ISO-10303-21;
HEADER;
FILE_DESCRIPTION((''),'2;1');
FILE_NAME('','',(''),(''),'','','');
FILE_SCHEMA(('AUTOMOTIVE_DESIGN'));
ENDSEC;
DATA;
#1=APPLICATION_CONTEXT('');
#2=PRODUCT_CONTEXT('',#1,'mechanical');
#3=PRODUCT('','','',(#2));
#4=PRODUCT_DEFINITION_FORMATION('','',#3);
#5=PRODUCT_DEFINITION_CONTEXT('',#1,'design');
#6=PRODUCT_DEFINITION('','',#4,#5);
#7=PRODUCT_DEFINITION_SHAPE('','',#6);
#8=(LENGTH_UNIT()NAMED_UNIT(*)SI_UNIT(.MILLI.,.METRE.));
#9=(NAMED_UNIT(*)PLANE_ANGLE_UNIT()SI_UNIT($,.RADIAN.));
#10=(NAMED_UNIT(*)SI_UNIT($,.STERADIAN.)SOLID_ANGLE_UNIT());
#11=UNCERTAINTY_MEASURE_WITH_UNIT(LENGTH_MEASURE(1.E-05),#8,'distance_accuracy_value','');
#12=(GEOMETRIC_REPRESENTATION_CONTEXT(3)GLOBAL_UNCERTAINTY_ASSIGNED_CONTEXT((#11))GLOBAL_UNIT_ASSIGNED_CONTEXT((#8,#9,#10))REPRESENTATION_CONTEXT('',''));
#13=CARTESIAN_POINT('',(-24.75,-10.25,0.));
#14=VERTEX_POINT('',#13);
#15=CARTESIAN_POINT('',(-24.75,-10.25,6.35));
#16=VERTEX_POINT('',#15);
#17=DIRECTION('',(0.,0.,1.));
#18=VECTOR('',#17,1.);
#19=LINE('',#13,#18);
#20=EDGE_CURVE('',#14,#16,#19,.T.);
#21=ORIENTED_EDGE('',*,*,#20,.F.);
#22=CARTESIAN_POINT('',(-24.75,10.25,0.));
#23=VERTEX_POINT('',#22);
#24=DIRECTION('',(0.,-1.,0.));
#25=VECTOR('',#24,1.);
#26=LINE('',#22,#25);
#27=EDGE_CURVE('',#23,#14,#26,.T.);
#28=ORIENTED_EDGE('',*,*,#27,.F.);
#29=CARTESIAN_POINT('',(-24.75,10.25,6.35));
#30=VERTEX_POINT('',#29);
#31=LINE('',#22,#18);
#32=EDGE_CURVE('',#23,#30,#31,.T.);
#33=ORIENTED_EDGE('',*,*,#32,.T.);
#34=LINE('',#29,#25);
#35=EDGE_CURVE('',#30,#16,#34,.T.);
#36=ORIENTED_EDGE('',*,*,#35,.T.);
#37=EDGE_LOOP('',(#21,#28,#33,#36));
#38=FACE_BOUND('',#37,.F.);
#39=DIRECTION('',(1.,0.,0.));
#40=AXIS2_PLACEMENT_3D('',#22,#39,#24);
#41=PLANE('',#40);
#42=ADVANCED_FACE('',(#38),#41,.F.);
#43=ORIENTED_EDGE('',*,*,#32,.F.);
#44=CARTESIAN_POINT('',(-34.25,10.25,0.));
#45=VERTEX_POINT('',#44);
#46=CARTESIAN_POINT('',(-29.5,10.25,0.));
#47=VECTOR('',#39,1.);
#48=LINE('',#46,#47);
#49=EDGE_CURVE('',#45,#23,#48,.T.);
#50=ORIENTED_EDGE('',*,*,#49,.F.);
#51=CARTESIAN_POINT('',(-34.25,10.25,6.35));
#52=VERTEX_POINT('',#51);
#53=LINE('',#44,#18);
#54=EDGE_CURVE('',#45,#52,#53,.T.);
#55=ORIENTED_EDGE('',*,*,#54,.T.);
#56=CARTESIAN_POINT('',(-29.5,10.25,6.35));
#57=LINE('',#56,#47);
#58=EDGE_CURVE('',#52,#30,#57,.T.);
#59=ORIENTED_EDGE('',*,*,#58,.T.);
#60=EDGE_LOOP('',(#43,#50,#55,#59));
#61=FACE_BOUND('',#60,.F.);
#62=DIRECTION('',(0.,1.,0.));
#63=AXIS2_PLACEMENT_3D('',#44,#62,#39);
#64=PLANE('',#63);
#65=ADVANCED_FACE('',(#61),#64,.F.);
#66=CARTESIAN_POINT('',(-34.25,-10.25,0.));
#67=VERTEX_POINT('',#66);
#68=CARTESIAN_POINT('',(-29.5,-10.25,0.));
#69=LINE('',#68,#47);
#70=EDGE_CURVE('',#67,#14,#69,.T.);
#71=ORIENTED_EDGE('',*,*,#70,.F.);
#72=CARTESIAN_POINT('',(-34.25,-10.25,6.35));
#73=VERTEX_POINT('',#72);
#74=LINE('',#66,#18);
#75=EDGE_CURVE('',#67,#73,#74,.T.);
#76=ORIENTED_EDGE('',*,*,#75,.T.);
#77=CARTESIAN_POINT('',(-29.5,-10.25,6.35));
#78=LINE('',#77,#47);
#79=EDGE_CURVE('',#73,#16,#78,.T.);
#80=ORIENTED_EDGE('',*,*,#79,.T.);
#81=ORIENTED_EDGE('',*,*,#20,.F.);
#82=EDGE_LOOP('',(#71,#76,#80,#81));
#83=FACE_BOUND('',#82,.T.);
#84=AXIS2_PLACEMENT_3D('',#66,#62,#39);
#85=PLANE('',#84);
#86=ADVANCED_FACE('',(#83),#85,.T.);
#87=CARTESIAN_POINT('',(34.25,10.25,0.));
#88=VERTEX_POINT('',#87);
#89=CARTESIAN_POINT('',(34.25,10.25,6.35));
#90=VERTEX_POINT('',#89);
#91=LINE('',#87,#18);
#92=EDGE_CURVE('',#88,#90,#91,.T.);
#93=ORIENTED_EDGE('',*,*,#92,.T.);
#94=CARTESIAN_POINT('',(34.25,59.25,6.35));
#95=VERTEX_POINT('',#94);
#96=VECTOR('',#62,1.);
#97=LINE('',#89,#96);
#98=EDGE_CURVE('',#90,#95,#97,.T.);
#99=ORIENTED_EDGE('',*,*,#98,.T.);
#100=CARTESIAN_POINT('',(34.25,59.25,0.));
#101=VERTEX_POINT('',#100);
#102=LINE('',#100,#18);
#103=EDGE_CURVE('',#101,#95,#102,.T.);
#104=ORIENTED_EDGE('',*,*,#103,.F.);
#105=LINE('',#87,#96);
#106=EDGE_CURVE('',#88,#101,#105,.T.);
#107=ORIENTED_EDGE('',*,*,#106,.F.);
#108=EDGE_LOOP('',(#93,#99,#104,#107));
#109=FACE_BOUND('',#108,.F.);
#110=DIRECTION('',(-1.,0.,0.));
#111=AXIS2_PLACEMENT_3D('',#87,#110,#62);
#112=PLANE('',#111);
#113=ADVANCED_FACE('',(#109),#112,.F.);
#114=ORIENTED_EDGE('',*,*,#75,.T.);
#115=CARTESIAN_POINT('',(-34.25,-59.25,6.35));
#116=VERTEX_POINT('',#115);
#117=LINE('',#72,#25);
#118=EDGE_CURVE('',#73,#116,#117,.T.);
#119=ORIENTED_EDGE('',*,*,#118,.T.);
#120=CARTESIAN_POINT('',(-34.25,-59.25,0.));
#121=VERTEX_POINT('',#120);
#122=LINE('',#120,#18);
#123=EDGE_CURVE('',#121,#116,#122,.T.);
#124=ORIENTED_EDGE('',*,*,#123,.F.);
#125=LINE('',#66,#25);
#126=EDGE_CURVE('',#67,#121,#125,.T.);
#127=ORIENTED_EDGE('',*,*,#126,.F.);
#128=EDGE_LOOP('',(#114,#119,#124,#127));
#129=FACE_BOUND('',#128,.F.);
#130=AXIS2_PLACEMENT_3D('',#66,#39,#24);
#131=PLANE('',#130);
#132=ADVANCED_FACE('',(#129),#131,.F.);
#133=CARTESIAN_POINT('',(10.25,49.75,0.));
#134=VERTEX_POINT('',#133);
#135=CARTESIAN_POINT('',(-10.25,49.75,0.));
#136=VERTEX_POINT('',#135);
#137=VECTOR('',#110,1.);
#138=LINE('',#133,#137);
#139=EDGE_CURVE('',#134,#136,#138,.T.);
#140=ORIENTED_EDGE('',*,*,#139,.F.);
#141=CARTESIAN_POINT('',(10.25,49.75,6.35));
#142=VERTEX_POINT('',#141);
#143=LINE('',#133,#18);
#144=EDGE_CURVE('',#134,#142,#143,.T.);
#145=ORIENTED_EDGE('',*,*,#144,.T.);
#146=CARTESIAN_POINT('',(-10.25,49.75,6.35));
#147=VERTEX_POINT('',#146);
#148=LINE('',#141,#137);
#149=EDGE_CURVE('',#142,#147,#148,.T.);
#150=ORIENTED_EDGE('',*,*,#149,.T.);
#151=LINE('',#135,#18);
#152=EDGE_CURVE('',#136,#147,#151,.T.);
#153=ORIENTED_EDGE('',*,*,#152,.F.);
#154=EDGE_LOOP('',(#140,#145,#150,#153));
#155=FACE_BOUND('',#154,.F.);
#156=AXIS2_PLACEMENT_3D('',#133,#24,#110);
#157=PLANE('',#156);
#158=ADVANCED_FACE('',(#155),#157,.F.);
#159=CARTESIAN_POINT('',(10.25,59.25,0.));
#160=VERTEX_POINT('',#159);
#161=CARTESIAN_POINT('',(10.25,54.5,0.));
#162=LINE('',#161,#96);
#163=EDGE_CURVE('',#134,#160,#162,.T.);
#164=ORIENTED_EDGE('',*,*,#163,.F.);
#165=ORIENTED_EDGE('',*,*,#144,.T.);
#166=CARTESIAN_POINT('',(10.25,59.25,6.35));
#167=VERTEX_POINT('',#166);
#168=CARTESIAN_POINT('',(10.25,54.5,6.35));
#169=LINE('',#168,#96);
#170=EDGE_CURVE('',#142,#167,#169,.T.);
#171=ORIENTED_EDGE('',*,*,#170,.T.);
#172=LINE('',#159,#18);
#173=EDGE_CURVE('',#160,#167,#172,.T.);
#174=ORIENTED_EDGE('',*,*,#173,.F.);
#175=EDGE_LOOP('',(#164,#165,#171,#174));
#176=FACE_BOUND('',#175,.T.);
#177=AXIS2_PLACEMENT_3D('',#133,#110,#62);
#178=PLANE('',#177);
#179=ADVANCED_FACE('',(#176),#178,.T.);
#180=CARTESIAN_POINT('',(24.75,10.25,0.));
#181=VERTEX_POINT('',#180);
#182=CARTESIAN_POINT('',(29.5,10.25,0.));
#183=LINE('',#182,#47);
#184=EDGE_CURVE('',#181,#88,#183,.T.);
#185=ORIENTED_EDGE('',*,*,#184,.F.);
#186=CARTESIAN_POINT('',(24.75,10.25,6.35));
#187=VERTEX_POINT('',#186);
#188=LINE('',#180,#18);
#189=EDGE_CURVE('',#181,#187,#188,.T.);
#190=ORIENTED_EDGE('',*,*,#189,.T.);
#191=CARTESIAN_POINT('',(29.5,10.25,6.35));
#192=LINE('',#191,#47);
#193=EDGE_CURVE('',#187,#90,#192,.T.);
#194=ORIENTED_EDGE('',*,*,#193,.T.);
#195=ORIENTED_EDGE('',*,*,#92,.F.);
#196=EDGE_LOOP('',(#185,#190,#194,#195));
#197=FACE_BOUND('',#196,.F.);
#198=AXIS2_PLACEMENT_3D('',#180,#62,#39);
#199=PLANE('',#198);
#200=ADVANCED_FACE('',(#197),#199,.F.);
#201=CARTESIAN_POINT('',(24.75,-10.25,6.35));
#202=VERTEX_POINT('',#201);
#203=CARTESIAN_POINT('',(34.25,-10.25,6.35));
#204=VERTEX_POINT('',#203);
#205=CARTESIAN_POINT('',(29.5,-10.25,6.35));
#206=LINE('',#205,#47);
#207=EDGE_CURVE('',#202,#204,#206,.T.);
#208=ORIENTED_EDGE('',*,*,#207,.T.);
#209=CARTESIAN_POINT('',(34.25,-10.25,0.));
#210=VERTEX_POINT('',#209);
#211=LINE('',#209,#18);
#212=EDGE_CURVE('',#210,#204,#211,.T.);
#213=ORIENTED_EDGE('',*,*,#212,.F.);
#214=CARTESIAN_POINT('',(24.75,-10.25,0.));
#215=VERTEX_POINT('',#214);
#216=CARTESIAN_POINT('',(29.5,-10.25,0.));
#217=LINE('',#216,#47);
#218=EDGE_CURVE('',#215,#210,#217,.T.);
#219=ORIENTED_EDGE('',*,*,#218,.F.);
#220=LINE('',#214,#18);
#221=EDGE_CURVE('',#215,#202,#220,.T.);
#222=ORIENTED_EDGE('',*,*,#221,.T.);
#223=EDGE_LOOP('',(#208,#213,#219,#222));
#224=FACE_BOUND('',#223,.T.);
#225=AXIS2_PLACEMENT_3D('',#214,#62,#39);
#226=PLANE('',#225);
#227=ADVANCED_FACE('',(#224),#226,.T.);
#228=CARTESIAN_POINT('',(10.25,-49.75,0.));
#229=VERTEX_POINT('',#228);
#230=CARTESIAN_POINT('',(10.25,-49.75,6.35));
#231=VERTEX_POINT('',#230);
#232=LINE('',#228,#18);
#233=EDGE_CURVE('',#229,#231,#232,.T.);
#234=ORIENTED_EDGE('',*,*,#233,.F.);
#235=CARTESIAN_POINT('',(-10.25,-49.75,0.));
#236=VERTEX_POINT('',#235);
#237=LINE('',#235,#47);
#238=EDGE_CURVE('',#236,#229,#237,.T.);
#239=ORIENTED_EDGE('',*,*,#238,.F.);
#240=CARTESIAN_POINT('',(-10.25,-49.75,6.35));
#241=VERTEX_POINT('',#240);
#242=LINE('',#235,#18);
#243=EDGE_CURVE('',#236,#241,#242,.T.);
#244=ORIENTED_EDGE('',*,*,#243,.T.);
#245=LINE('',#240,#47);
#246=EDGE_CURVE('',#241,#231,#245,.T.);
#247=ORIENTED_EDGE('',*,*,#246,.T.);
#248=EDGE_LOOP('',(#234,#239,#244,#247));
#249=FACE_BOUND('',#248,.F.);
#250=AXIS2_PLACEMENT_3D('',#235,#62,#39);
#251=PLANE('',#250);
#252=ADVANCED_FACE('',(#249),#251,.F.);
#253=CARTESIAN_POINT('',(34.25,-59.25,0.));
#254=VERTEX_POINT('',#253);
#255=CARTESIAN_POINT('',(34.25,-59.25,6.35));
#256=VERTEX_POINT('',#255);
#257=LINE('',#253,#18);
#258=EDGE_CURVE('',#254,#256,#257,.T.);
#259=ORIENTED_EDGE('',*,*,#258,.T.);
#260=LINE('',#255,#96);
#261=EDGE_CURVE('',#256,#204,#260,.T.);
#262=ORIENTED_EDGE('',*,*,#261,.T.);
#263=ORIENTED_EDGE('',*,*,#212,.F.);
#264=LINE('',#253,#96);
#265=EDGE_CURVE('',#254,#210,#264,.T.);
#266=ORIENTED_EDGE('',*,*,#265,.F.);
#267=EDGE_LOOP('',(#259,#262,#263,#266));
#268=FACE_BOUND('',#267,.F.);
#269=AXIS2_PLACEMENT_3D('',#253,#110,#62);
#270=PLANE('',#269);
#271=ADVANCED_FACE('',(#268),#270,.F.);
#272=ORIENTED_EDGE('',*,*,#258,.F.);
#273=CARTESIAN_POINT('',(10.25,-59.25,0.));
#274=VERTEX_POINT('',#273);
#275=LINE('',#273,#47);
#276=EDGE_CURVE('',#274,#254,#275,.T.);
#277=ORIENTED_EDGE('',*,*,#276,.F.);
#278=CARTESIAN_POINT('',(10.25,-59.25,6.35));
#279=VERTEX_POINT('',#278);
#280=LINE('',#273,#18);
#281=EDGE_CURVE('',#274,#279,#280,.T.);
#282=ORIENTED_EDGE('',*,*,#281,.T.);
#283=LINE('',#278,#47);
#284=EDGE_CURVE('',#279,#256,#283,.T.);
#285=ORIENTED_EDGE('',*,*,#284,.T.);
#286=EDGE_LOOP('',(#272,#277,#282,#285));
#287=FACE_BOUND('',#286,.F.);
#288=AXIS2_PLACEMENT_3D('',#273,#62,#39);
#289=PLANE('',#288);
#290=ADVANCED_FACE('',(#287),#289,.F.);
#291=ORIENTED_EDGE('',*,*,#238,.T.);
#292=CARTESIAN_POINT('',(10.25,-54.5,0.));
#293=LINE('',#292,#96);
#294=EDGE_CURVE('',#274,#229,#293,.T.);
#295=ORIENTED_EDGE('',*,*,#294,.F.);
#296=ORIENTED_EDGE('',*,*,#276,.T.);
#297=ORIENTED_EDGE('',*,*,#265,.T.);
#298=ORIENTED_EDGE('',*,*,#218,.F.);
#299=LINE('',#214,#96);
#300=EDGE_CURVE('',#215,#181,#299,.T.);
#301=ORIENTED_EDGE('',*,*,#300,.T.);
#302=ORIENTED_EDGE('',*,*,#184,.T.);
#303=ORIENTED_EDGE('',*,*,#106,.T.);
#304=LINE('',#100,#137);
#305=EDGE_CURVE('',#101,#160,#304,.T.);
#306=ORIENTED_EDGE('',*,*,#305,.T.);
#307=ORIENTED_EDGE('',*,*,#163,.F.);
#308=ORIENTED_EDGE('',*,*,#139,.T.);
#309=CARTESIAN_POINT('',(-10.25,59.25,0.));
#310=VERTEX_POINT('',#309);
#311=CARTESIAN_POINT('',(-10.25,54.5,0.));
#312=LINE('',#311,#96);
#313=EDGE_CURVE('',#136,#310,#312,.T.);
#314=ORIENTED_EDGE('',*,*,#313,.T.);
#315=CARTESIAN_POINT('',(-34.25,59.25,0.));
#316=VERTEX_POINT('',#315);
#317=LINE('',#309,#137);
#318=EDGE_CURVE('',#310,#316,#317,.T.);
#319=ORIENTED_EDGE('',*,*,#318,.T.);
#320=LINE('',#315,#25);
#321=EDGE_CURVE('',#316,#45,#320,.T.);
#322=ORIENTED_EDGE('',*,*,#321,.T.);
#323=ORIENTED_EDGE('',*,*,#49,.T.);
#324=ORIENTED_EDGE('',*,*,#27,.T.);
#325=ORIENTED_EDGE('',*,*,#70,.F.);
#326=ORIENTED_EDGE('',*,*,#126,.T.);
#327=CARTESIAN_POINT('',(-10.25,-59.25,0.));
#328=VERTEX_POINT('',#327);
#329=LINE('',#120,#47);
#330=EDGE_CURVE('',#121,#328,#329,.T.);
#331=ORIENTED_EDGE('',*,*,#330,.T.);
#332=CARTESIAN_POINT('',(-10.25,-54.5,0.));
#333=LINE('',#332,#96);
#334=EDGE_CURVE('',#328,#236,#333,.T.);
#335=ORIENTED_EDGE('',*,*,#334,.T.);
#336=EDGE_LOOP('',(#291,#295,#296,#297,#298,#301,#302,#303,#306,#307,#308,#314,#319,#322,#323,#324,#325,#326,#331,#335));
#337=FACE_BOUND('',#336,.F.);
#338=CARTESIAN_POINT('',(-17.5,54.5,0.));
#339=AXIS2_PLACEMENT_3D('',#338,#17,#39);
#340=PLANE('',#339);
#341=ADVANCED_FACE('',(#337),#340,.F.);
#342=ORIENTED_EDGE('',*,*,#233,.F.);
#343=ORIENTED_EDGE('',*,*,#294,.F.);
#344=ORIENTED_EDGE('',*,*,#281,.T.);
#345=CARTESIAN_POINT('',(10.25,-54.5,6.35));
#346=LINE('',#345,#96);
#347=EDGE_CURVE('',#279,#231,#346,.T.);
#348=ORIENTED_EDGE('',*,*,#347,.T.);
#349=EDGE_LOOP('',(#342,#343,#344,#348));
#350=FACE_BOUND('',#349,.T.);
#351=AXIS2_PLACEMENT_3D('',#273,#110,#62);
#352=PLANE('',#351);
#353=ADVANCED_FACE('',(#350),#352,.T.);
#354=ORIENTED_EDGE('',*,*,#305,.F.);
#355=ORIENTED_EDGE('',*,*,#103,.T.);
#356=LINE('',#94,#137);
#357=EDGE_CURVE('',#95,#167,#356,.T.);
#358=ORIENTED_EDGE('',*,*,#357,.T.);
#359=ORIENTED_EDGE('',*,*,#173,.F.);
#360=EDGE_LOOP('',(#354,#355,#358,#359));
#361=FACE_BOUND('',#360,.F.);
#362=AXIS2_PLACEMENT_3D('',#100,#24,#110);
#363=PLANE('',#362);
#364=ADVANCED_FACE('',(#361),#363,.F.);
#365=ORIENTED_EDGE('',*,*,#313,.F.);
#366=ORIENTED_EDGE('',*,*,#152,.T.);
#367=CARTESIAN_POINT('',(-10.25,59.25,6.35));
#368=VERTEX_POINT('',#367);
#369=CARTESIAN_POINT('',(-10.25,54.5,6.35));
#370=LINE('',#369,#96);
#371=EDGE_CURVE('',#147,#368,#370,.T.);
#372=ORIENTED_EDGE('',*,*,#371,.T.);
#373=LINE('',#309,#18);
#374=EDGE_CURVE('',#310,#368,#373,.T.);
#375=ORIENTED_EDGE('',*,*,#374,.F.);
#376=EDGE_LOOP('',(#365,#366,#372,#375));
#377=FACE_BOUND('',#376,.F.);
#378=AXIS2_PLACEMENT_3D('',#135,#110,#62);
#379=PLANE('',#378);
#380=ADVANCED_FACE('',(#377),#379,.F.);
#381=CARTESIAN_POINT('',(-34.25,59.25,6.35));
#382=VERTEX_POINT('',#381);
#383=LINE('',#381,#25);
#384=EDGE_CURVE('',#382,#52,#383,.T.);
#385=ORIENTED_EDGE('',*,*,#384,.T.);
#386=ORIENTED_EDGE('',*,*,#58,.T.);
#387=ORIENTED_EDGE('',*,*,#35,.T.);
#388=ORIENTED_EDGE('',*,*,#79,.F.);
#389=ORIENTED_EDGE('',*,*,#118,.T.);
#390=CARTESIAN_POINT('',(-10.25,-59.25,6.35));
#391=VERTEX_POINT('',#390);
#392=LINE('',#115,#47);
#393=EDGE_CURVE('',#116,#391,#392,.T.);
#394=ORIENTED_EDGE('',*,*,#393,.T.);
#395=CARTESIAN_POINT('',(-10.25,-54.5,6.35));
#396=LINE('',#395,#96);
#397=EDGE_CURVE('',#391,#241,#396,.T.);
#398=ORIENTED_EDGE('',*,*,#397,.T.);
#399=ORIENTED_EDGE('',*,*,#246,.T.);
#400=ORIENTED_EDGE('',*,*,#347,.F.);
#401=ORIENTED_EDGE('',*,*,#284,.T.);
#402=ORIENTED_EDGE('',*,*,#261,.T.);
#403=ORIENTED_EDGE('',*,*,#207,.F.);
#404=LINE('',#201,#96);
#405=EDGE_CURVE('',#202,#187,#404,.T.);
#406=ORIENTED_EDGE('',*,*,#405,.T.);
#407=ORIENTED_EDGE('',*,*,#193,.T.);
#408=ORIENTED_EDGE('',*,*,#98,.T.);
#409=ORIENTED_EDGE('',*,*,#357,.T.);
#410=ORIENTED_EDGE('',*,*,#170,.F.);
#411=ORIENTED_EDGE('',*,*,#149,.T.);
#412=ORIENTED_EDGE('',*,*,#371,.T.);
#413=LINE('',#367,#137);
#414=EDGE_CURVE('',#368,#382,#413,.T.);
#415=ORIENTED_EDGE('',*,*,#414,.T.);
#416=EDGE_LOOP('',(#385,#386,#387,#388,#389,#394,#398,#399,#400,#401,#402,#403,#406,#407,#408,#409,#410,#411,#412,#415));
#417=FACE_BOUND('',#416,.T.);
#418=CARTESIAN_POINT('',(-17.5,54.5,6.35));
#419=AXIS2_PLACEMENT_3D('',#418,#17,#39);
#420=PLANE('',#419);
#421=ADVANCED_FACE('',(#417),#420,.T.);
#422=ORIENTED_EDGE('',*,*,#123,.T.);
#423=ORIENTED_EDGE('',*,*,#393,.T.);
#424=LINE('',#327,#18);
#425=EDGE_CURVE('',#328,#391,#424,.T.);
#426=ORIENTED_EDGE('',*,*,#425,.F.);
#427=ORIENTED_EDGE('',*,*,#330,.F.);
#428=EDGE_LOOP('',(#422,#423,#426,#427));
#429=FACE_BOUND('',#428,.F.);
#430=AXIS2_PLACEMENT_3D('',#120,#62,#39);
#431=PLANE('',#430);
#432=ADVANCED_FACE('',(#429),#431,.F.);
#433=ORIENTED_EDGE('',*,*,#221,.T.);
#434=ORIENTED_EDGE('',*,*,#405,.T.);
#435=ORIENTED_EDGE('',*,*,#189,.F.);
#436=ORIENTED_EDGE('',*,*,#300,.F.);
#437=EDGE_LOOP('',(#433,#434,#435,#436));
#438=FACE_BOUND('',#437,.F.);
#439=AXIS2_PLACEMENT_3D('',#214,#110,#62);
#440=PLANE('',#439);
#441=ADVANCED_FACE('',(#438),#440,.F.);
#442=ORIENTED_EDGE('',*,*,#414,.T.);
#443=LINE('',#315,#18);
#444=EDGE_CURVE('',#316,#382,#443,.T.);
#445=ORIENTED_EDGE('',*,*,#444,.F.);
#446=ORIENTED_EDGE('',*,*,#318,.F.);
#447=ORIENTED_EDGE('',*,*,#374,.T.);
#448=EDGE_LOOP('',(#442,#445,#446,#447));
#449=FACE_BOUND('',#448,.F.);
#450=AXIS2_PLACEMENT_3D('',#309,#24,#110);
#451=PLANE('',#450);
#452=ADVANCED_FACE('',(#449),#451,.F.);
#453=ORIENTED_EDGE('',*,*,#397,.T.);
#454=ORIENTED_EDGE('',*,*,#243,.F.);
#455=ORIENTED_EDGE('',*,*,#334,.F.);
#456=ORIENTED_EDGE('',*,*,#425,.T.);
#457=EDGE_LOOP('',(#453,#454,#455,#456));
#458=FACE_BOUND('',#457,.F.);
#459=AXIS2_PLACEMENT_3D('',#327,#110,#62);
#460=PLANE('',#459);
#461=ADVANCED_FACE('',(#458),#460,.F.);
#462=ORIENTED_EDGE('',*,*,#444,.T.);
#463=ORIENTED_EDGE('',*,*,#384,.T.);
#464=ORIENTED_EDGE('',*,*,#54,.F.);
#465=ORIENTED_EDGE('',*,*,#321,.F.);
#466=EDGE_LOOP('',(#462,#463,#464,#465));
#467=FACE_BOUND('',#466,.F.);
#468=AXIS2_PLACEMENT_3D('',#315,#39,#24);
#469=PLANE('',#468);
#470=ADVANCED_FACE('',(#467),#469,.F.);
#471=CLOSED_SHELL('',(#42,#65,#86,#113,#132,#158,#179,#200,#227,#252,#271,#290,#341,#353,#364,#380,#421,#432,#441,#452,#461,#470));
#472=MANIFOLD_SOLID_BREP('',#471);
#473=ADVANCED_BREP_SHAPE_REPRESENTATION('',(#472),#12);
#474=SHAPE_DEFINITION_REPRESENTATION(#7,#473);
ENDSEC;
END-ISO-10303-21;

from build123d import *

# Parameters (mm, degrees)
F0_W     = 14.5
F0_H     = 9.5
F0_W_2   = 9.5
F0_H_2   = 39.5
F1_DEPTH = 6.35


with BuildPart() as f1:
    # F0 (on Top) → F1 (new body)
    with BuildSketch(Plane.XY):
        with Locations((-17.5, 54.5)):
            Rectangle(F0_W, F0_H)
        with Locations((-29.5, 54.5)):
            Rectangle(F0_W_2, F0_H)
        with Locations((-29.5, 30)):
            Rectangle(F0_W_2, F0_H_2)
        with Locations((17.5, 54.5)):
            Rectangle(F0_W, F0_H)
        with Locations((29.5, 54.5)):
            Rectangle(F0_W_2, F0_H)
        with Locations((29.5, 30)):
            Rectangle(F0_W_2, F0_H_2)
        with Locations((29.5, -30)):
            Rectangle(F0_W_2, F0_H_2)
        with Locations((29.5, -54.5)):
            Rectangle(F0_W_2, F0_H)
        with Locations((17.5, -54.5)):
            Rectangle(F0_W, F0_H)
        with Locations((-17.5, -54.5)):
            Rectangle(F0_W, F0_H)
        with Locations((-29.5, -54.5)):
            Rectangle(F0_W_2, F0_H)
        with Locations((-29.5, -30)):
            Rectangle(F0_W_2, F0_H_2)
        Polygon((-10.25, 49.75), (-24.75, 49.75), (-24.75, 10.25), (-24.75, -10.25), (-24.75, -49.75), (-10.25, -49.75), (10.25, -49.75), (24.75, -49.75), (24.75, -10.25), (24.75, 10.25), (24.75, 49.75), (10.25, 49.75), align=None)
    extrude(amount=F1_DEPTH)


solid = f1.part
